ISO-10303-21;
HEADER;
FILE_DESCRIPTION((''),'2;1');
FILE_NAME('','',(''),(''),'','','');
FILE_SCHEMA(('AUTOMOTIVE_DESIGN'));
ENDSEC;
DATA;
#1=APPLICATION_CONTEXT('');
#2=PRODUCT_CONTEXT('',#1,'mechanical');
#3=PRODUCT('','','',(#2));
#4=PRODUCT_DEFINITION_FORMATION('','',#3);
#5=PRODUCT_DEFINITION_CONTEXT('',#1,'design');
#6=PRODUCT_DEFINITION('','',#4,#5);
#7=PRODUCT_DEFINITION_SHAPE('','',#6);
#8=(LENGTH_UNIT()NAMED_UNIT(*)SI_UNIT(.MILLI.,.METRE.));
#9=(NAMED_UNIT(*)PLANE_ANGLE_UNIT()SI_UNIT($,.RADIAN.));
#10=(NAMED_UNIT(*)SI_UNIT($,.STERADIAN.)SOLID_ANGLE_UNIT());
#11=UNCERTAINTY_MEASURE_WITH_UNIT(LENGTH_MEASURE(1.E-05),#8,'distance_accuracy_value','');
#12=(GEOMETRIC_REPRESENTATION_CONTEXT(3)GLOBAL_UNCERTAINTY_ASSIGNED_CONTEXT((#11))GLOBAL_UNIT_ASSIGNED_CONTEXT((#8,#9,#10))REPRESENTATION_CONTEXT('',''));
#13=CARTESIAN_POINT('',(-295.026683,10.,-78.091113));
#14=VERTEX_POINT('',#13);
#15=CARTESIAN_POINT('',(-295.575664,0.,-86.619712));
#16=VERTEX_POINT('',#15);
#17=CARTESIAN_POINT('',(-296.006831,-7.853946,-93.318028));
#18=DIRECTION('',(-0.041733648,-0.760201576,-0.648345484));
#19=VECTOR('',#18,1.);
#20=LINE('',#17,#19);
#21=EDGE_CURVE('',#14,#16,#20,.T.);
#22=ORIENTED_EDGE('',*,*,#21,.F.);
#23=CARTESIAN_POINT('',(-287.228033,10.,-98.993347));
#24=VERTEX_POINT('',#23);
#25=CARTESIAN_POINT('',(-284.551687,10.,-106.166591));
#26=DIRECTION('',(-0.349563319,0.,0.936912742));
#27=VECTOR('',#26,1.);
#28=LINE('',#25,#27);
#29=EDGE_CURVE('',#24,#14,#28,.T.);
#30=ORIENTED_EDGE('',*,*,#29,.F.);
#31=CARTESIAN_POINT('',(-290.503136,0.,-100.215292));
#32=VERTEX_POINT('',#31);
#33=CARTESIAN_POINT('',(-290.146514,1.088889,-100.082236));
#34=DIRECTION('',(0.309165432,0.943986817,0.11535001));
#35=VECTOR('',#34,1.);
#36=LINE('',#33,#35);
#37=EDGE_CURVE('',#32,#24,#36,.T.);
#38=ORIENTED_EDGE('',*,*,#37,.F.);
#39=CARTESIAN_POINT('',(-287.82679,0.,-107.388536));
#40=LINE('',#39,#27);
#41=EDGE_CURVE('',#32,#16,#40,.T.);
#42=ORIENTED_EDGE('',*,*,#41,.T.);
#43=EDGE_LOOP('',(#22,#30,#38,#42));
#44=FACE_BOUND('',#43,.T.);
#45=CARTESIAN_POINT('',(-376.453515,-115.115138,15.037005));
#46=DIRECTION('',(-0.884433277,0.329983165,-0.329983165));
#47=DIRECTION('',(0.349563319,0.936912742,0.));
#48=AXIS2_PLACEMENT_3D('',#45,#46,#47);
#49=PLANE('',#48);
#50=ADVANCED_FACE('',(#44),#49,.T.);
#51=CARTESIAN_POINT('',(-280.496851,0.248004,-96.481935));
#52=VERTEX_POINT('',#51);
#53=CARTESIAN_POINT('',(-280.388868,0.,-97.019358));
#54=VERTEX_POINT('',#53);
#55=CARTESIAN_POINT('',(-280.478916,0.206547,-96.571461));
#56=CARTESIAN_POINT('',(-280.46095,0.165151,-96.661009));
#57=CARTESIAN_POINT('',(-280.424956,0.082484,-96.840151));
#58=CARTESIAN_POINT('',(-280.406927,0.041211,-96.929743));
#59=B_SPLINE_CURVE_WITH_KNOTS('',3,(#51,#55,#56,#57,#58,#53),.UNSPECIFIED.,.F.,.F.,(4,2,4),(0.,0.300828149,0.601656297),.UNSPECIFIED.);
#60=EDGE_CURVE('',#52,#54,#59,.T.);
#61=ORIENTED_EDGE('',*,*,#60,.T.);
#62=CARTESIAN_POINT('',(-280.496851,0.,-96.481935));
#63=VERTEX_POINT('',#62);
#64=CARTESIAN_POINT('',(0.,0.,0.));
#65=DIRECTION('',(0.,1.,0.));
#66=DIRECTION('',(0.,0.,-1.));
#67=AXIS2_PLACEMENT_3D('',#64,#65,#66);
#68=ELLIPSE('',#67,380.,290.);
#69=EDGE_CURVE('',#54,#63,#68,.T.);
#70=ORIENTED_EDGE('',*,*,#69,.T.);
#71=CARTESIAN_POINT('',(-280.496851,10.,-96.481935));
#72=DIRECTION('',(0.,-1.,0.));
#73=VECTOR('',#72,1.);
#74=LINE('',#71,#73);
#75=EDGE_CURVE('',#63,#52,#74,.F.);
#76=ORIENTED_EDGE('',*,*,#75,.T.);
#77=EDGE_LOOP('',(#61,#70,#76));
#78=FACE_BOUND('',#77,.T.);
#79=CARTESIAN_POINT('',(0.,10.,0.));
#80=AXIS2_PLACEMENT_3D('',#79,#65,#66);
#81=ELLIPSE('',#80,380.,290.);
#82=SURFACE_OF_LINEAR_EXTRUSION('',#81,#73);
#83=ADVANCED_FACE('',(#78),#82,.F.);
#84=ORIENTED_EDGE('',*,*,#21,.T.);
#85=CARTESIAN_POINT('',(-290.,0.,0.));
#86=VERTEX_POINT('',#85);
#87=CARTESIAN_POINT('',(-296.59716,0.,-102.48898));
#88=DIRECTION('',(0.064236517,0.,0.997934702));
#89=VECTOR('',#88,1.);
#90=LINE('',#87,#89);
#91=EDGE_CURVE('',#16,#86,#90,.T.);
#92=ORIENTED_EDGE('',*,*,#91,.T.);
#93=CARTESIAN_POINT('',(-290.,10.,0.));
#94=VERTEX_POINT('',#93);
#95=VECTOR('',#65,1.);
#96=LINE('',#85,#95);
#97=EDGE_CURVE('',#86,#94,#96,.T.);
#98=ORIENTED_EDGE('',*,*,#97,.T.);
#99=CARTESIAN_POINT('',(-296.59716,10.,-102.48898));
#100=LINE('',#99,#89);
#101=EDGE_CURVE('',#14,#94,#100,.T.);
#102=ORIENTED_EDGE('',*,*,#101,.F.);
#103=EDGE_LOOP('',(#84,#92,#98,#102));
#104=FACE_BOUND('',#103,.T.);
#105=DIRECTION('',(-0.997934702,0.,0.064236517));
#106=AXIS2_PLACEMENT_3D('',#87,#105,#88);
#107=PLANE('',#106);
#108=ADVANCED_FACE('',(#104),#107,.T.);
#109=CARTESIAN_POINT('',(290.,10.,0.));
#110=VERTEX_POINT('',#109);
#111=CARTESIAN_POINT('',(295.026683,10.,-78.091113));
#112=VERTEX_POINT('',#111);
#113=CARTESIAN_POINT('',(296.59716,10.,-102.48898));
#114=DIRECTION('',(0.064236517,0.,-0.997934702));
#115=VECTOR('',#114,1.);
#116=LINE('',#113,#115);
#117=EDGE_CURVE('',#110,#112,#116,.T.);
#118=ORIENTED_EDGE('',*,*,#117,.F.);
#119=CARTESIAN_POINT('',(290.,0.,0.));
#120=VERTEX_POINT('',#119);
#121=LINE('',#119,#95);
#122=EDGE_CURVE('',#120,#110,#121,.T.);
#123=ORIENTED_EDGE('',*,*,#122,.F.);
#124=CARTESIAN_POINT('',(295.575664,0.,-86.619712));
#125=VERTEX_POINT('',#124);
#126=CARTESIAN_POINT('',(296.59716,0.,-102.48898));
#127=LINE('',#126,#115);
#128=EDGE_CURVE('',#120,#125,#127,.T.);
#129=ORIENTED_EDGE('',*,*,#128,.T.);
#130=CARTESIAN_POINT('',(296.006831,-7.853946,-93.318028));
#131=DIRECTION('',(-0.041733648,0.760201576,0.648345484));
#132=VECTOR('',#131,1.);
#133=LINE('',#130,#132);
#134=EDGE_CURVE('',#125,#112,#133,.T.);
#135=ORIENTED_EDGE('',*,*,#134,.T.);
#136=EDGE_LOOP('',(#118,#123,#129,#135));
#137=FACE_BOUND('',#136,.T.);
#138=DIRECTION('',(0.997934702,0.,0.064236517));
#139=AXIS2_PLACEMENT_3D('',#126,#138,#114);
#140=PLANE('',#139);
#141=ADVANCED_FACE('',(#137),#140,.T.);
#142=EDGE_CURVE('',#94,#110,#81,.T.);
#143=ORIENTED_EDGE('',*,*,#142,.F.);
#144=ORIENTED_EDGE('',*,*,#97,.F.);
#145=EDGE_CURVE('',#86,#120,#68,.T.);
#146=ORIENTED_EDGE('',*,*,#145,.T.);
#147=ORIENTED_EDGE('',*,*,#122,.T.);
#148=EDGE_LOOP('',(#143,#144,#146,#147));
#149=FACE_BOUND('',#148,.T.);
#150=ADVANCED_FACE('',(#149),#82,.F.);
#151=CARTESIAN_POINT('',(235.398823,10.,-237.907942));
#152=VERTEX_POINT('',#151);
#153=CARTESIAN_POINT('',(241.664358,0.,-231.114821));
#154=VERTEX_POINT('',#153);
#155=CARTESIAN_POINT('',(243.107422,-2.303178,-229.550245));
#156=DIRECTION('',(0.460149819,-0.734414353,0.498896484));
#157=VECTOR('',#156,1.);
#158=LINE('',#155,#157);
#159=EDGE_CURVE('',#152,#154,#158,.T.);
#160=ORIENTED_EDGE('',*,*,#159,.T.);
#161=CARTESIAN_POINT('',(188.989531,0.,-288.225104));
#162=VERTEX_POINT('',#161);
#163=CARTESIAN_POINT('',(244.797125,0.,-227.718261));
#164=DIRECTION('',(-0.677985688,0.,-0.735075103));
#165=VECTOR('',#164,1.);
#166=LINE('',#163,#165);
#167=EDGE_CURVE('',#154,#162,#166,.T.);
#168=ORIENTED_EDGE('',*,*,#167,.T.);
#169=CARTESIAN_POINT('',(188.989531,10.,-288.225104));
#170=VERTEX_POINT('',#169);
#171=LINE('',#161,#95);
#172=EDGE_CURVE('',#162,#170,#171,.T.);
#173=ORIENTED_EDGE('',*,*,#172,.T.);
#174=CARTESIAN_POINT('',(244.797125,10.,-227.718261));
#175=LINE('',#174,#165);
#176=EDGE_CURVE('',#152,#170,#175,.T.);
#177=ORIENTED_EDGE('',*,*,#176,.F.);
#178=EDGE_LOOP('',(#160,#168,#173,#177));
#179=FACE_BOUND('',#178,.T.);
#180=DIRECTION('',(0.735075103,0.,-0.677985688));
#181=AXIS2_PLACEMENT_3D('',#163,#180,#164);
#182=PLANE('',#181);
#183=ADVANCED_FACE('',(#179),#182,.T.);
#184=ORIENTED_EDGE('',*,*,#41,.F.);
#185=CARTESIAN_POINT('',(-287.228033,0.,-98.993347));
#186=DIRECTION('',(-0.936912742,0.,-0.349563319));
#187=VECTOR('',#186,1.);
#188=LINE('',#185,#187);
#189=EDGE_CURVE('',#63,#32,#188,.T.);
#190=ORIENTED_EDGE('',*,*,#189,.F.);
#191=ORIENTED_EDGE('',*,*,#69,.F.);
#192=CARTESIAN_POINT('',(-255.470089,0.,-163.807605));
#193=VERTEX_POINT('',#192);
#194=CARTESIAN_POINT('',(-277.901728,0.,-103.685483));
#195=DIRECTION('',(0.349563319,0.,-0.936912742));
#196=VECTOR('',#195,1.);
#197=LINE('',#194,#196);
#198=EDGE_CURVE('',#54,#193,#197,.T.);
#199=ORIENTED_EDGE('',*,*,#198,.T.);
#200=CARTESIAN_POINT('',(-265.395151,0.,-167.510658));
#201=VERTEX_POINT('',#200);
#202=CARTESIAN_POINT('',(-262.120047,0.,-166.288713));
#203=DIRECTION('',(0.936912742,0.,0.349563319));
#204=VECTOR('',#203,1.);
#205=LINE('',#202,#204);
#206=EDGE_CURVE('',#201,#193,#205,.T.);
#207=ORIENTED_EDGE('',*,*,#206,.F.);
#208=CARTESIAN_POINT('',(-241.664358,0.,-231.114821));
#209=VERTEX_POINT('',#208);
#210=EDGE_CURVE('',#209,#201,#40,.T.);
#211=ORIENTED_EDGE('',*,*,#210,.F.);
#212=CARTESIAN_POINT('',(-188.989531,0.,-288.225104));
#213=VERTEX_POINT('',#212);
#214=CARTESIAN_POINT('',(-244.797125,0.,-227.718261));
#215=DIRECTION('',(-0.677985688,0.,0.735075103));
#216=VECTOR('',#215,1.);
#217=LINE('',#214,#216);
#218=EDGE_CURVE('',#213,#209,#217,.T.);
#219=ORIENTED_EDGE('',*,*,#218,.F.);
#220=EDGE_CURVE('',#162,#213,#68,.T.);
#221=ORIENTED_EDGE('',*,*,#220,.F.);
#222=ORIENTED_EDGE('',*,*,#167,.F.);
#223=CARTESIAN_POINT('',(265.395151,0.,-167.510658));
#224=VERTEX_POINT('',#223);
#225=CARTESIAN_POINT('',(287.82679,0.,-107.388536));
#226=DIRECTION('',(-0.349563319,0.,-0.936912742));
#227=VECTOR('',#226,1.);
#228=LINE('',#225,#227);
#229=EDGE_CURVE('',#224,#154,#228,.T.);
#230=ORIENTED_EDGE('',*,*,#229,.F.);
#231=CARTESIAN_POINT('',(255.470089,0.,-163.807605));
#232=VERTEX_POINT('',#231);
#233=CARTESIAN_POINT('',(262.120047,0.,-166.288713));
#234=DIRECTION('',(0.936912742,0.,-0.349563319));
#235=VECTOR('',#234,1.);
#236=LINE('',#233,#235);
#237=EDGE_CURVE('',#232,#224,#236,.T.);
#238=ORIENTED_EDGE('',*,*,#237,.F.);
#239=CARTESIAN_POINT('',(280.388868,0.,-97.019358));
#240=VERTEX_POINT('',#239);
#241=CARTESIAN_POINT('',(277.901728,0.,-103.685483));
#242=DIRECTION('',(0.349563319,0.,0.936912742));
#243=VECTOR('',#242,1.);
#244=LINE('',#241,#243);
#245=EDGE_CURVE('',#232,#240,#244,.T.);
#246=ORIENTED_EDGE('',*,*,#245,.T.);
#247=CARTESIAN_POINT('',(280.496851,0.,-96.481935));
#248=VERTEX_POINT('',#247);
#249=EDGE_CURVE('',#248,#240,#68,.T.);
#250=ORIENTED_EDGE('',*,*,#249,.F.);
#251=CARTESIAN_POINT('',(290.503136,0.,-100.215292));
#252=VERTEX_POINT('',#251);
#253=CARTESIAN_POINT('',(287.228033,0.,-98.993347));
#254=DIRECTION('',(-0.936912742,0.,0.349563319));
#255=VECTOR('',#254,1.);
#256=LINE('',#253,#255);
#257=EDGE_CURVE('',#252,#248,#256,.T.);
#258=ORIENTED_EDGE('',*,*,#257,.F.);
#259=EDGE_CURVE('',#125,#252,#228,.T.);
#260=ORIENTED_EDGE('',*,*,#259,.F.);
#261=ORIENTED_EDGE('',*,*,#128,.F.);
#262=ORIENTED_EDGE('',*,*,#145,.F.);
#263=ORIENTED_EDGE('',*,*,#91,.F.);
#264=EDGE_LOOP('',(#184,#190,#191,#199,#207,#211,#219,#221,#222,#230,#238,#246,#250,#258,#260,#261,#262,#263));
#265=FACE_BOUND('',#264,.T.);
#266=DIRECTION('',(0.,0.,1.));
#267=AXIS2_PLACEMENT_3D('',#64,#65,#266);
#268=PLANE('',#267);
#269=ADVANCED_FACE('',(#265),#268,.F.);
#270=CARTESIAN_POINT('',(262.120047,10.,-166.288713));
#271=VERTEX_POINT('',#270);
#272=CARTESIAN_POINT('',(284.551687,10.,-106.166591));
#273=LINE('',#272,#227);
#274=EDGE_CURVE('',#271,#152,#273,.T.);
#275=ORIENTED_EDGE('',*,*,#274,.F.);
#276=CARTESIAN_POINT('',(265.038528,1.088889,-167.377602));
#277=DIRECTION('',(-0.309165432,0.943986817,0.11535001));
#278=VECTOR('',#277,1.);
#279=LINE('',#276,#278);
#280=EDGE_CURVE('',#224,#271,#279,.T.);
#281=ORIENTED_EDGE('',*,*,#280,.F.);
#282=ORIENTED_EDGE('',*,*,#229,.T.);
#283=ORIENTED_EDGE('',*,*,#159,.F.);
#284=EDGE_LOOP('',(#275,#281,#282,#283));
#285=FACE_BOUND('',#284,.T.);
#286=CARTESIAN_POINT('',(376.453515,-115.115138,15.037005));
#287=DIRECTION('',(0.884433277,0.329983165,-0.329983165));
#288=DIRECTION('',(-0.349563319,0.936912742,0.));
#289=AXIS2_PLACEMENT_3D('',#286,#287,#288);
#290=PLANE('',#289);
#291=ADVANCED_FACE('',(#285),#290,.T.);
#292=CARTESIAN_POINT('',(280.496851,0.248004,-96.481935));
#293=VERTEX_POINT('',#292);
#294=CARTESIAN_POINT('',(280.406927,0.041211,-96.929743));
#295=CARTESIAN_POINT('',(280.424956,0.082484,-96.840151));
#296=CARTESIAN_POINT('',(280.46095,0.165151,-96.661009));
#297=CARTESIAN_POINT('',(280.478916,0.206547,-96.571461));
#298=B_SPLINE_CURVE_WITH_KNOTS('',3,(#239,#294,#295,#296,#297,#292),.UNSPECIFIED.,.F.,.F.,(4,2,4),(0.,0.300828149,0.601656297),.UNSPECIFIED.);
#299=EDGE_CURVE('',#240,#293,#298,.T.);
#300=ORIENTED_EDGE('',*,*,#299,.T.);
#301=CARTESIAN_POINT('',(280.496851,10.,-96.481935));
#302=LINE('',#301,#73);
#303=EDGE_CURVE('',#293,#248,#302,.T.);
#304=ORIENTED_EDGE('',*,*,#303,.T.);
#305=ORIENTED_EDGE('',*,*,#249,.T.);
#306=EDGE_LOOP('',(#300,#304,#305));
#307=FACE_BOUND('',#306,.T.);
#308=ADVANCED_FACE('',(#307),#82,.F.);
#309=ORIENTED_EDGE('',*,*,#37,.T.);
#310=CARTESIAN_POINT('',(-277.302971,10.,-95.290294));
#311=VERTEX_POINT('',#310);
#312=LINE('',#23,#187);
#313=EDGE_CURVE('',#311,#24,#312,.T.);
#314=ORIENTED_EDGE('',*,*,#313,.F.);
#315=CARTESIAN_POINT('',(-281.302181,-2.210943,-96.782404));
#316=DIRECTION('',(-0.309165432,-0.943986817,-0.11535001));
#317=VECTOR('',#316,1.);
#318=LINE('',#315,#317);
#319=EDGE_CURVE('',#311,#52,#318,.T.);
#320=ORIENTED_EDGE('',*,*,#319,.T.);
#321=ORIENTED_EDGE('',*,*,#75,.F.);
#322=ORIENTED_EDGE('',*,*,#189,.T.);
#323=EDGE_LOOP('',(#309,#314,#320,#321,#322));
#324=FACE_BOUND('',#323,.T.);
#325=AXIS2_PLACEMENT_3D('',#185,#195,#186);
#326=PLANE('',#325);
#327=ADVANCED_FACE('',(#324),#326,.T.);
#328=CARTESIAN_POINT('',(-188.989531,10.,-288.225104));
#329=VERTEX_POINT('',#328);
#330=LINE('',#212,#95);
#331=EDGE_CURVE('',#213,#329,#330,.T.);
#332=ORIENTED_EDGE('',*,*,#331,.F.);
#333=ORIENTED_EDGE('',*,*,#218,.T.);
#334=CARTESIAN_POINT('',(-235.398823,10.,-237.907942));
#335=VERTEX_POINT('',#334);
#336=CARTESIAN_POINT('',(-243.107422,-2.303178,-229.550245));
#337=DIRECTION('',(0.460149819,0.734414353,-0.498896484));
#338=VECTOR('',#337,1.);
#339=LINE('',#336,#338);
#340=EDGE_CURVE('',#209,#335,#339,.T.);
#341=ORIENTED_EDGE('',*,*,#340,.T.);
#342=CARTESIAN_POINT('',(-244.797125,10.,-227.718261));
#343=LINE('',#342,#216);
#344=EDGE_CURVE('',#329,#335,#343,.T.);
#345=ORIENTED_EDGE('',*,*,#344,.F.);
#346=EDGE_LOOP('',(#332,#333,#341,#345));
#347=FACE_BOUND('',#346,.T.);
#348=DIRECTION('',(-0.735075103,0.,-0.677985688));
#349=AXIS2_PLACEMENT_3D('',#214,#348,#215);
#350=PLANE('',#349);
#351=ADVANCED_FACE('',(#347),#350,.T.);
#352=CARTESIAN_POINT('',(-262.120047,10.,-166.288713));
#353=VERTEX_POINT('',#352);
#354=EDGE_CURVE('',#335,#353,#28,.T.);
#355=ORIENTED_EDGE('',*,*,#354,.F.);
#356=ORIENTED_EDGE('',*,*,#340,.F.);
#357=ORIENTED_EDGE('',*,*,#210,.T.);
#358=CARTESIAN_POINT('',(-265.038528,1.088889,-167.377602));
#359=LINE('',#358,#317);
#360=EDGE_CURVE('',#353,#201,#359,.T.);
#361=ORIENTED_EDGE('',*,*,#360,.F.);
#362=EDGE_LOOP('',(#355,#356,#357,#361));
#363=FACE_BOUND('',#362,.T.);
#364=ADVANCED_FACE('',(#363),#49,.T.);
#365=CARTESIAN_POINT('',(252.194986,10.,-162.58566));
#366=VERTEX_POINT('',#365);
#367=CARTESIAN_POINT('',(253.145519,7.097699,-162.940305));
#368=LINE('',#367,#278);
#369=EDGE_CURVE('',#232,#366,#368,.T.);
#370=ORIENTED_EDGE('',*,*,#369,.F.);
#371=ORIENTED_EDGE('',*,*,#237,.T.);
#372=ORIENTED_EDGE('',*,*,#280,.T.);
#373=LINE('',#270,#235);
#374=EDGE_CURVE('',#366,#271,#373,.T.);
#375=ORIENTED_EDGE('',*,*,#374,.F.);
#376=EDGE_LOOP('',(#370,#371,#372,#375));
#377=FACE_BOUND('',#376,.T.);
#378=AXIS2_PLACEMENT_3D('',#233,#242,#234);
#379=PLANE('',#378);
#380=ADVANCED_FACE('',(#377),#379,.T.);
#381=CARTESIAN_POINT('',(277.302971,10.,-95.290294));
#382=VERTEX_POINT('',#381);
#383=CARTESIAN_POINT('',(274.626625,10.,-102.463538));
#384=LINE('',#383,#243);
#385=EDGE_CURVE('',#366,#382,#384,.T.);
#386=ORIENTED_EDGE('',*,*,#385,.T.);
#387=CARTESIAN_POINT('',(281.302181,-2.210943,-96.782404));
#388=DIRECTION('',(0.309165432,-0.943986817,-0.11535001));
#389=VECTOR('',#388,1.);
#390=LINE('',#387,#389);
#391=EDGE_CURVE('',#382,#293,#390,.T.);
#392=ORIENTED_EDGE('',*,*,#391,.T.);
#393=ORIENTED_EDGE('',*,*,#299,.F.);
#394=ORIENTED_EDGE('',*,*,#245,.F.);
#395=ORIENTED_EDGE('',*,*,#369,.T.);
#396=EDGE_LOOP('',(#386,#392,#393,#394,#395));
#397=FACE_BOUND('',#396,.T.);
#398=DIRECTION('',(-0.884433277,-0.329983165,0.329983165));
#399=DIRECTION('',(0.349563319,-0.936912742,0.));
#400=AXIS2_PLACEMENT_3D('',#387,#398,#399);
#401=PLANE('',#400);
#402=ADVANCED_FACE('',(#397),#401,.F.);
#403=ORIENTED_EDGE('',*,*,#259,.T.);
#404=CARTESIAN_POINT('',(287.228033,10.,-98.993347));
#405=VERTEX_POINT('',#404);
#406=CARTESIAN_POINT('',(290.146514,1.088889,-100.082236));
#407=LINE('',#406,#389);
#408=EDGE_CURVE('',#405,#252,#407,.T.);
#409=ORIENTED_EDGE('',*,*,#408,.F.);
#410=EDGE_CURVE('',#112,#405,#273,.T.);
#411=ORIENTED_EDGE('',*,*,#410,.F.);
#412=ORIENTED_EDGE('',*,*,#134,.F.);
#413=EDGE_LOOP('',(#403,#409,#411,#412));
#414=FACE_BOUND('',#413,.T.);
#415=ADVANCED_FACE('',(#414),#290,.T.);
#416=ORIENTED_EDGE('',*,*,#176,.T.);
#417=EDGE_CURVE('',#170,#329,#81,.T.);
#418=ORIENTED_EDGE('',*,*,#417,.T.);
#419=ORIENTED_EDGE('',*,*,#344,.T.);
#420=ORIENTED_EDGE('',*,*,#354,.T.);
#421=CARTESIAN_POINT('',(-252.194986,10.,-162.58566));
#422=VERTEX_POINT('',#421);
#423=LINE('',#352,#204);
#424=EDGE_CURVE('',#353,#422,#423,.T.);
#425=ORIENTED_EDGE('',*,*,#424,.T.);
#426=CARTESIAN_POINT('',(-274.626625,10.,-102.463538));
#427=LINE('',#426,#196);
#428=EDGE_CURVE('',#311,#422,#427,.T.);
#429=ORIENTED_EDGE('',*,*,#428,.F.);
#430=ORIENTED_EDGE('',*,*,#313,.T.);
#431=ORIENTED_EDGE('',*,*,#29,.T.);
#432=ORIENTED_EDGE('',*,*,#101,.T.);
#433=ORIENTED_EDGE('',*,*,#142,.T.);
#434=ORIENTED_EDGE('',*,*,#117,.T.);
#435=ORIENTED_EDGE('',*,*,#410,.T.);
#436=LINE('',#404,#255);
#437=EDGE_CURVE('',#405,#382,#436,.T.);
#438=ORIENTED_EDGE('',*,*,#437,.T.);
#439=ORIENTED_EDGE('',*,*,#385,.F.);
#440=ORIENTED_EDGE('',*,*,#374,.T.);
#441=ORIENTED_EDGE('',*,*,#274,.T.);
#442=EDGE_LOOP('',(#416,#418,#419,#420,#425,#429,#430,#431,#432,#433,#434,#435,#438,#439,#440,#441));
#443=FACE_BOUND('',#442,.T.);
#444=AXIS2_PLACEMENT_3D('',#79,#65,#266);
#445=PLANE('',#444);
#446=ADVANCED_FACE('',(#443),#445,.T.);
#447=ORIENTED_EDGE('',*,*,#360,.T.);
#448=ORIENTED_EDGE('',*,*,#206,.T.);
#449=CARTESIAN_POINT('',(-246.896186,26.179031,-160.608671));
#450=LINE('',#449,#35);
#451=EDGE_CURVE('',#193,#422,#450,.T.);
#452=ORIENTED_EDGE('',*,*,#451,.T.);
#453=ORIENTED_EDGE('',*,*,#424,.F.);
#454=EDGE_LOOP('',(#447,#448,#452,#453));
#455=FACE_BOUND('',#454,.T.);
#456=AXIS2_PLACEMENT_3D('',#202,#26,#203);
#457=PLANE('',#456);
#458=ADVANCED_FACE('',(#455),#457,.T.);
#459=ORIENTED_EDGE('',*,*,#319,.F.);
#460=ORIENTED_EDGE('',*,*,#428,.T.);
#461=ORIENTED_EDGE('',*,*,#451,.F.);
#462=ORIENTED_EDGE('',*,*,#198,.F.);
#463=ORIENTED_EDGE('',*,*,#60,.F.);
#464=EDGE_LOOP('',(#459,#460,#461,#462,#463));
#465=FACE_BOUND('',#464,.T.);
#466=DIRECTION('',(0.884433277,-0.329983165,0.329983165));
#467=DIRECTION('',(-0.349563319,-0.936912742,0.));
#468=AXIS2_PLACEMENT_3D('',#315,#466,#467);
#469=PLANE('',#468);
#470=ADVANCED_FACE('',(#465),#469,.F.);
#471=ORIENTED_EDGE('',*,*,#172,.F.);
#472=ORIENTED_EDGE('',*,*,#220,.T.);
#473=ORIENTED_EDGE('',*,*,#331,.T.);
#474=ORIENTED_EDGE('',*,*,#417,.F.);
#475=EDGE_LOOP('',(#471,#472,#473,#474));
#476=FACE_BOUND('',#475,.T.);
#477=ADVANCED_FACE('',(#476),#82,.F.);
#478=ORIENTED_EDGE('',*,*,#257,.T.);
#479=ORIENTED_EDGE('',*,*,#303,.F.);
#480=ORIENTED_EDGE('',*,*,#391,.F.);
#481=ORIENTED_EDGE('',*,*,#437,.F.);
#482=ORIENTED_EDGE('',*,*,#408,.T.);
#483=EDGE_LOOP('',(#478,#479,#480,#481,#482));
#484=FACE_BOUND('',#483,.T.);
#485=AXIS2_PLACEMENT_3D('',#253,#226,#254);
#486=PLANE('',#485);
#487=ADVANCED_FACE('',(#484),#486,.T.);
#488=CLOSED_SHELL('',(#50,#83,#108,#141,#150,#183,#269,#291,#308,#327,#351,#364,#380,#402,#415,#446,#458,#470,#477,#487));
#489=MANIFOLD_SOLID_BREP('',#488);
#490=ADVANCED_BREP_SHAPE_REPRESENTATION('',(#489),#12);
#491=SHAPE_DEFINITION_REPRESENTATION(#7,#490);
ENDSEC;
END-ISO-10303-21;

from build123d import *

# Parameters (mm, degrees)
SKETCH1_RX          = 380
SKETCH1_RY          = 290
BOSS_EXTRUDE1_DEPTH = 10
BOSS_EXTRUDE2_DEPTH = 10
CUT_EXTRUDE1_DEPTH  = 10
SKETCH8_W           = 355.795250099
SKETCH8_H           = 262.515596516
CUT_EXTRUDE2_DEPTH  = 102.013832803


with BuildPart() as part:
    # Sketch1 → Boss-Extrude1 (new body)
    with BuildSketch(Plane(origin=(0, 0, 0), x_dir=(1, 0, 0), z_dir=(0, 1, 0))):
        with Locations(Location((0, 0), (0, 0, 90))):
            Ellipse(SKETCH1_RX, SKETCH1_RY)
    extrude(amount=BOSS_EXTRUDE1_DEPTH)

    # Sketch2 → Boss-Extrude2 (add)
    with BuildSketch(Plane(origin=(0, 10, 0), x_dir=(1, 0, 0), z_dir=(0, 1, 0))):
        Polygon((287.228032818, 98.993347022), (277.229646496, 95.262936552), (290, 0), (296.597160239, 102.488980208), align=None)
        Polygon((-296.597160239, 102.488980208), (-290, 0), (-277.229646496, 95.262936552), (-287.228032818, 98.993347022), align=None)
        Polygon((244.797124663, 227.718261487), (188.989530622, 288.225103524), (257.336277473, 164.50388217), (262.120047497, 166.288712763), (271.489174918, 169.784345949), (266.534927877, 209.025181731), align=None)
        Polygon((-266.534927877, 209.025181731), (-271.489174918, 169.784345949), (-262.120047497, 166.288712763), (-257.336277473, 164.50388217), (-188.989530622, 288.225103524), (-244.797124663, 227.718261487), align=None)
    extrude(amount=-BOSS_EXTRUDE2_DEPTH)

    # Sketch4 → Cut-Extrude1 (cut)
    with BuildSketch(Plane(origin=(256.485650454, 95.695117721, -95.695117721), x_dir=(-0.309165432, -0.11535001, -0.943986817), z_dir=(0.884433277, 0.329983165, -0.329983165))):
        Polygon((4.647435865, -100.404384349), (0.972491464, -70.555212825), (72.260950701, -61.778382153), (74.730936612, -81.840463395), (75.935895102, -91.627553677), align=None)
    cut_extrude1 = extrude(amount=-CUT_EXTRUDE1_DEPTH, mode=Mode.SUBTRACT)

    # Mirror1: Cut-Extrude1 across plane
    add(cut_extrude1.mirror(Plane(origin=(0, 0, 0), x_dir=(0, 0, 1), z_dir=(1, 0, 0))), mode=Mode.SUBTRACT)

    # Sketch8 → Cut-Extrude2 (cut, through all)
    with BuildSketch(Plane(origin=(256.485650454, 95.695117721, -95.695117721), x_dir=(-0.309165432, -0.11535001, -0.943986817), z_dir=(0.884433277, 0.329983165, -0.329983165))):
        with Locations((60.595009972, -108.189381189)):
            Rectangle(SKETCH8_W, SKETCH8_H)
    cut_extrude2 = extrude(amount=CUT_EXTRUDE2_DEPTH, mode=Mode.SUBTRACT)

    # Mirror2: Cut-Extrude2 across plane
    add(cut_extrude2.mirror(Plane(origin=(0, 0, 0), x_dir=(0, 0, 1), z_dir=(1, 0, 0))), mode=Mode.SUBTRACT)


solid = part.part
